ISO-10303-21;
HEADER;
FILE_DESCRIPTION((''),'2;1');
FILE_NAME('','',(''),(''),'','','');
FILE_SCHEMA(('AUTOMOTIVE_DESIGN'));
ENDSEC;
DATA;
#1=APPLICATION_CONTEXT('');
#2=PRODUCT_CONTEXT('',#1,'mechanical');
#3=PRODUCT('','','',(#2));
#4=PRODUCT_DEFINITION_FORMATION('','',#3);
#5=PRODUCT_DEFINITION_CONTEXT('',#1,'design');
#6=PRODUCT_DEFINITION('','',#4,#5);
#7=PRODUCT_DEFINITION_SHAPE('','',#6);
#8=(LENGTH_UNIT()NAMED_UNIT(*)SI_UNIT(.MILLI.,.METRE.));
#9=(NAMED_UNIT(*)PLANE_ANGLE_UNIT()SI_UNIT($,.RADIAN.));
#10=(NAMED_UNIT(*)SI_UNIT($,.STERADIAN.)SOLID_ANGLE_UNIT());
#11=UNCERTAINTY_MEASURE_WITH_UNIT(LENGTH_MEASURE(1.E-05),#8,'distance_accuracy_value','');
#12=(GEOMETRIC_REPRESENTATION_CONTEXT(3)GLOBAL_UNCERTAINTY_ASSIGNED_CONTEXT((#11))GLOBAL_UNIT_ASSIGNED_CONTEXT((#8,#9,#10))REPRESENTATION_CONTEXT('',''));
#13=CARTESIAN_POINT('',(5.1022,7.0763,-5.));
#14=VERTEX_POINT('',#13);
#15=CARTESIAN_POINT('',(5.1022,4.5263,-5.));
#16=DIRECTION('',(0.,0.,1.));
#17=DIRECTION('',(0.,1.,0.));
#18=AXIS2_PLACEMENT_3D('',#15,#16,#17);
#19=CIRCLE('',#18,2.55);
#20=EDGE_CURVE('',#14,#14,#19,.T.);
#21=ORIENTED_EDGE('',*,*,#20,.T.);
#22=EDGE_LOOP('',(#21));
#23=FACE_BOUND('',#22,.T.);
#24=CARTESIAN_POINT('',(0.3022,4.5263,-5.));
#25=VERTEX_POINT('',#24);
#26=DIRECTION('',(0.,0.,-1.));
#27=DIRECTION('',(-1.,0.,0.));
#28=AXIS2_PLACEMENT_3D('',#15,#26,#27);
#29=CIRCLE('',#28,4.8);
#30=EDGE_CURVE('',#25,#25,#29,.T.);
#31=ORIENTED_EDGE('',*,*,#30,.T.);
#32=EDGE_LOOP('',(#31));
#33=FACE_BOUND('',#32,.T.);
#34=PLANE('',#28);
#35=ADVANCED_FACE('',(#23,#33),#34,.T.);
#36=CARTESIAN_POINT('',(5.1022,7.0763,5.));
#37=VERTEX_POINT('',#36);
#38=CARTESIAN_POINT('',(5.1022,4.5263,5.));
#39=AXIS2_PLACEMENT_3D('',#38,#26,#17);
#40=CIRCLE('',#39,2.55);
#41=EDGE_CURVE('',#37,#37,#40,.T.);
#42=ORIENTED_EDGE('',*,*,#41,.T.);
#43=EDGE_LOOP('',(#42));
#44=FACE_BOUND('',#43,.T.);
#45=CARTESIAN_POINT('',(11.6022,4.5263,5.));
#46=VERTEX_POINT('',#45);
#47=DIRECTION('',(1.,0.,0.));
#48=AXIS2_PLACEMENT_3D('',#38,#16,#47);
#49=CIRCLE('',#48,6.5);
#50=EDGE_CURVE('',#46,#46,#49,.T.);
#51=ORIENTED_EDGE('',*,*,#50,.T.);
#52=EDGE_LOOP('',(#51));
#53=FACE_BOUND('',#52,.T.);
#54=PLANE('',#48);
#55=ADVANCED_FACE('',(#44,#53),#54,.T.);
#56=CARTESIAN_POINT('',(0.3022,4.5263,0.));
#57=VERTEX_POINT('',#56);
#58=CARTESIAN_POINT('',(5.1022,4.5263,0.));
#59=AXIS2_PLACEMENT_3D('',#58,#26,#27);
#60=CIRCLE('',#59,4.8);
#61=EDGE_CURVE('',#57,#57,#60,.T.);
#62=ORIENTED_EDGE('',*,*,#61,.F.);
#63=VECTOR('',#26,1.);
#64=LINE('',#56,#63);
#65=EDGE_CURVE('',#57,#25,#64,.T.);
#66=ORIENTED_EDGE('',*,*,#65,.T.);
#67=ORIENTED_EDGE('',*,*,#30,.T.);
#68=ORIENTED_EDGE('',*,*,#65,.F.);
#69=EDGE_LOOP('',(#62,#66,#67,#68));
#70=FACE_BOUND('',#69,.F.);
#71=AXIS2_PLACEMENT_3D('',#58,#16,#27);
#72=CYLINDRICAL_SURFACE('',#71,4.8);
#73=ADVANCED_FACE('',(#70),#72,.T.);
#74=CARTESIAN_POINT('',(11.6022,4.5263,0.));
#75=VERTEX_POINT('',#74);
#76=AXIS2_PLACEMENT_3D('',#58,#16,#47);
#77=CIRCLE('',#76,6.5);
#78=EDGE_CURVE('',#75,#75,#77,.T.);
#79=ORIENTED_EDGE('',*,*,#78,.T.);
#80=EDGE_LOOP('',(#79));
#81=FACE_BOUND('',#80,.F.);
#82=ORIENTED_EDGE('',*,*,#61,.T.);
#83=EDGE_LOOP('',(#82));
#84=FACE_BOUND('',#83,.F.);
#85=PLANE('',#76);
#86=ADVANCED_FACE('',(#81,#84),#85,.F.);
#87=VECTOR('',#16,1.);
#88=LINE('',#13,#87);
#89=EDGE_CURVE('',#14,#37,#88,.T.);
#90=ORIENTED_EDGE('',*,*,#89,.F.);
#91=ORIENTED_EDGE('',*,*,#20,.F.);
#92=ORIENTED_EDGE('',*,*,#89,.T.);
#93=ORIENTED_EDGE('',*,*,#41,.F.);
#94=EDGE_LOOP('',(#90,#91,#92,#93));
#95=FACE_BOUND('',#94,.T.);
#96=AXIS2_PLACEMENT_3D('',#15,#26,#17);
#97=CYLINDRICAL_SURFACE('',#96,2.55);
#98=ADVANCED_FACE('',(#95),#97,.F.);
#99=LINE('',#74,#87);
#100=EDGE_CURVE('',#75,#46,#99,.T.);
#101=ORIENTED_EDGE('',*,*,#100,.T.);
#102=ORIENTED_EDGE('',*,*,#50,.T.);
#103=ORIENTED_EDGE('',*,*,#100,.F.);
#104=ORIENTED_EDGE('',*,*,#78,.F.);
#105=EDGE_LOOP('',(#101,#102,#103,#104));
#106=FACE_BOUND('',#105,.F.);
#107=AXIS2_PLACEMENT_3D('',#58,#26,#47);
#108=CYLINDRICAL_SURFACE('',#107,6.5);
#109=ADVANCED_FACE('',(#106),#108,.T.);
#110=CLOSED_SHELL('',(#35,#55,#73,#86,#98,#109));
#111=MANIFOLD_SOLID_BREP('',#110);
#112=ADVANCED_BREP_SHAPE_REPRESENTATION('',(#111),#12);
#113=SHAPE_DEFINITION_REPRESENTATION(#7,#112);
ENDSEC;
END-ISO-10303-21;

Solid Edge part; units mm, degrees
sketch "Sketch1" plane through (0, 0, 0) normal (0, 0, 1) x (1, 0, 0)
  circle A0 centre (5.1022, 4.5263) radius 6.5
extrude "Protrusion1" add sketch "Sketch1" along normal blind 5
sketch "Sketch2" plane through (5.1022, 4.5263, 0) normal (0, 0, -1) x (-1, 0, 0)
  circle A0 centre (0, 0) radius 4.8
extrude "ExtrudedProtrusion_2" add sketch "Sketch2" along normal blind 5
hole "Hole_1" at (5.1022, 4.5263, -5) direction (0, 0, 1) diameter 5.1 end through all
